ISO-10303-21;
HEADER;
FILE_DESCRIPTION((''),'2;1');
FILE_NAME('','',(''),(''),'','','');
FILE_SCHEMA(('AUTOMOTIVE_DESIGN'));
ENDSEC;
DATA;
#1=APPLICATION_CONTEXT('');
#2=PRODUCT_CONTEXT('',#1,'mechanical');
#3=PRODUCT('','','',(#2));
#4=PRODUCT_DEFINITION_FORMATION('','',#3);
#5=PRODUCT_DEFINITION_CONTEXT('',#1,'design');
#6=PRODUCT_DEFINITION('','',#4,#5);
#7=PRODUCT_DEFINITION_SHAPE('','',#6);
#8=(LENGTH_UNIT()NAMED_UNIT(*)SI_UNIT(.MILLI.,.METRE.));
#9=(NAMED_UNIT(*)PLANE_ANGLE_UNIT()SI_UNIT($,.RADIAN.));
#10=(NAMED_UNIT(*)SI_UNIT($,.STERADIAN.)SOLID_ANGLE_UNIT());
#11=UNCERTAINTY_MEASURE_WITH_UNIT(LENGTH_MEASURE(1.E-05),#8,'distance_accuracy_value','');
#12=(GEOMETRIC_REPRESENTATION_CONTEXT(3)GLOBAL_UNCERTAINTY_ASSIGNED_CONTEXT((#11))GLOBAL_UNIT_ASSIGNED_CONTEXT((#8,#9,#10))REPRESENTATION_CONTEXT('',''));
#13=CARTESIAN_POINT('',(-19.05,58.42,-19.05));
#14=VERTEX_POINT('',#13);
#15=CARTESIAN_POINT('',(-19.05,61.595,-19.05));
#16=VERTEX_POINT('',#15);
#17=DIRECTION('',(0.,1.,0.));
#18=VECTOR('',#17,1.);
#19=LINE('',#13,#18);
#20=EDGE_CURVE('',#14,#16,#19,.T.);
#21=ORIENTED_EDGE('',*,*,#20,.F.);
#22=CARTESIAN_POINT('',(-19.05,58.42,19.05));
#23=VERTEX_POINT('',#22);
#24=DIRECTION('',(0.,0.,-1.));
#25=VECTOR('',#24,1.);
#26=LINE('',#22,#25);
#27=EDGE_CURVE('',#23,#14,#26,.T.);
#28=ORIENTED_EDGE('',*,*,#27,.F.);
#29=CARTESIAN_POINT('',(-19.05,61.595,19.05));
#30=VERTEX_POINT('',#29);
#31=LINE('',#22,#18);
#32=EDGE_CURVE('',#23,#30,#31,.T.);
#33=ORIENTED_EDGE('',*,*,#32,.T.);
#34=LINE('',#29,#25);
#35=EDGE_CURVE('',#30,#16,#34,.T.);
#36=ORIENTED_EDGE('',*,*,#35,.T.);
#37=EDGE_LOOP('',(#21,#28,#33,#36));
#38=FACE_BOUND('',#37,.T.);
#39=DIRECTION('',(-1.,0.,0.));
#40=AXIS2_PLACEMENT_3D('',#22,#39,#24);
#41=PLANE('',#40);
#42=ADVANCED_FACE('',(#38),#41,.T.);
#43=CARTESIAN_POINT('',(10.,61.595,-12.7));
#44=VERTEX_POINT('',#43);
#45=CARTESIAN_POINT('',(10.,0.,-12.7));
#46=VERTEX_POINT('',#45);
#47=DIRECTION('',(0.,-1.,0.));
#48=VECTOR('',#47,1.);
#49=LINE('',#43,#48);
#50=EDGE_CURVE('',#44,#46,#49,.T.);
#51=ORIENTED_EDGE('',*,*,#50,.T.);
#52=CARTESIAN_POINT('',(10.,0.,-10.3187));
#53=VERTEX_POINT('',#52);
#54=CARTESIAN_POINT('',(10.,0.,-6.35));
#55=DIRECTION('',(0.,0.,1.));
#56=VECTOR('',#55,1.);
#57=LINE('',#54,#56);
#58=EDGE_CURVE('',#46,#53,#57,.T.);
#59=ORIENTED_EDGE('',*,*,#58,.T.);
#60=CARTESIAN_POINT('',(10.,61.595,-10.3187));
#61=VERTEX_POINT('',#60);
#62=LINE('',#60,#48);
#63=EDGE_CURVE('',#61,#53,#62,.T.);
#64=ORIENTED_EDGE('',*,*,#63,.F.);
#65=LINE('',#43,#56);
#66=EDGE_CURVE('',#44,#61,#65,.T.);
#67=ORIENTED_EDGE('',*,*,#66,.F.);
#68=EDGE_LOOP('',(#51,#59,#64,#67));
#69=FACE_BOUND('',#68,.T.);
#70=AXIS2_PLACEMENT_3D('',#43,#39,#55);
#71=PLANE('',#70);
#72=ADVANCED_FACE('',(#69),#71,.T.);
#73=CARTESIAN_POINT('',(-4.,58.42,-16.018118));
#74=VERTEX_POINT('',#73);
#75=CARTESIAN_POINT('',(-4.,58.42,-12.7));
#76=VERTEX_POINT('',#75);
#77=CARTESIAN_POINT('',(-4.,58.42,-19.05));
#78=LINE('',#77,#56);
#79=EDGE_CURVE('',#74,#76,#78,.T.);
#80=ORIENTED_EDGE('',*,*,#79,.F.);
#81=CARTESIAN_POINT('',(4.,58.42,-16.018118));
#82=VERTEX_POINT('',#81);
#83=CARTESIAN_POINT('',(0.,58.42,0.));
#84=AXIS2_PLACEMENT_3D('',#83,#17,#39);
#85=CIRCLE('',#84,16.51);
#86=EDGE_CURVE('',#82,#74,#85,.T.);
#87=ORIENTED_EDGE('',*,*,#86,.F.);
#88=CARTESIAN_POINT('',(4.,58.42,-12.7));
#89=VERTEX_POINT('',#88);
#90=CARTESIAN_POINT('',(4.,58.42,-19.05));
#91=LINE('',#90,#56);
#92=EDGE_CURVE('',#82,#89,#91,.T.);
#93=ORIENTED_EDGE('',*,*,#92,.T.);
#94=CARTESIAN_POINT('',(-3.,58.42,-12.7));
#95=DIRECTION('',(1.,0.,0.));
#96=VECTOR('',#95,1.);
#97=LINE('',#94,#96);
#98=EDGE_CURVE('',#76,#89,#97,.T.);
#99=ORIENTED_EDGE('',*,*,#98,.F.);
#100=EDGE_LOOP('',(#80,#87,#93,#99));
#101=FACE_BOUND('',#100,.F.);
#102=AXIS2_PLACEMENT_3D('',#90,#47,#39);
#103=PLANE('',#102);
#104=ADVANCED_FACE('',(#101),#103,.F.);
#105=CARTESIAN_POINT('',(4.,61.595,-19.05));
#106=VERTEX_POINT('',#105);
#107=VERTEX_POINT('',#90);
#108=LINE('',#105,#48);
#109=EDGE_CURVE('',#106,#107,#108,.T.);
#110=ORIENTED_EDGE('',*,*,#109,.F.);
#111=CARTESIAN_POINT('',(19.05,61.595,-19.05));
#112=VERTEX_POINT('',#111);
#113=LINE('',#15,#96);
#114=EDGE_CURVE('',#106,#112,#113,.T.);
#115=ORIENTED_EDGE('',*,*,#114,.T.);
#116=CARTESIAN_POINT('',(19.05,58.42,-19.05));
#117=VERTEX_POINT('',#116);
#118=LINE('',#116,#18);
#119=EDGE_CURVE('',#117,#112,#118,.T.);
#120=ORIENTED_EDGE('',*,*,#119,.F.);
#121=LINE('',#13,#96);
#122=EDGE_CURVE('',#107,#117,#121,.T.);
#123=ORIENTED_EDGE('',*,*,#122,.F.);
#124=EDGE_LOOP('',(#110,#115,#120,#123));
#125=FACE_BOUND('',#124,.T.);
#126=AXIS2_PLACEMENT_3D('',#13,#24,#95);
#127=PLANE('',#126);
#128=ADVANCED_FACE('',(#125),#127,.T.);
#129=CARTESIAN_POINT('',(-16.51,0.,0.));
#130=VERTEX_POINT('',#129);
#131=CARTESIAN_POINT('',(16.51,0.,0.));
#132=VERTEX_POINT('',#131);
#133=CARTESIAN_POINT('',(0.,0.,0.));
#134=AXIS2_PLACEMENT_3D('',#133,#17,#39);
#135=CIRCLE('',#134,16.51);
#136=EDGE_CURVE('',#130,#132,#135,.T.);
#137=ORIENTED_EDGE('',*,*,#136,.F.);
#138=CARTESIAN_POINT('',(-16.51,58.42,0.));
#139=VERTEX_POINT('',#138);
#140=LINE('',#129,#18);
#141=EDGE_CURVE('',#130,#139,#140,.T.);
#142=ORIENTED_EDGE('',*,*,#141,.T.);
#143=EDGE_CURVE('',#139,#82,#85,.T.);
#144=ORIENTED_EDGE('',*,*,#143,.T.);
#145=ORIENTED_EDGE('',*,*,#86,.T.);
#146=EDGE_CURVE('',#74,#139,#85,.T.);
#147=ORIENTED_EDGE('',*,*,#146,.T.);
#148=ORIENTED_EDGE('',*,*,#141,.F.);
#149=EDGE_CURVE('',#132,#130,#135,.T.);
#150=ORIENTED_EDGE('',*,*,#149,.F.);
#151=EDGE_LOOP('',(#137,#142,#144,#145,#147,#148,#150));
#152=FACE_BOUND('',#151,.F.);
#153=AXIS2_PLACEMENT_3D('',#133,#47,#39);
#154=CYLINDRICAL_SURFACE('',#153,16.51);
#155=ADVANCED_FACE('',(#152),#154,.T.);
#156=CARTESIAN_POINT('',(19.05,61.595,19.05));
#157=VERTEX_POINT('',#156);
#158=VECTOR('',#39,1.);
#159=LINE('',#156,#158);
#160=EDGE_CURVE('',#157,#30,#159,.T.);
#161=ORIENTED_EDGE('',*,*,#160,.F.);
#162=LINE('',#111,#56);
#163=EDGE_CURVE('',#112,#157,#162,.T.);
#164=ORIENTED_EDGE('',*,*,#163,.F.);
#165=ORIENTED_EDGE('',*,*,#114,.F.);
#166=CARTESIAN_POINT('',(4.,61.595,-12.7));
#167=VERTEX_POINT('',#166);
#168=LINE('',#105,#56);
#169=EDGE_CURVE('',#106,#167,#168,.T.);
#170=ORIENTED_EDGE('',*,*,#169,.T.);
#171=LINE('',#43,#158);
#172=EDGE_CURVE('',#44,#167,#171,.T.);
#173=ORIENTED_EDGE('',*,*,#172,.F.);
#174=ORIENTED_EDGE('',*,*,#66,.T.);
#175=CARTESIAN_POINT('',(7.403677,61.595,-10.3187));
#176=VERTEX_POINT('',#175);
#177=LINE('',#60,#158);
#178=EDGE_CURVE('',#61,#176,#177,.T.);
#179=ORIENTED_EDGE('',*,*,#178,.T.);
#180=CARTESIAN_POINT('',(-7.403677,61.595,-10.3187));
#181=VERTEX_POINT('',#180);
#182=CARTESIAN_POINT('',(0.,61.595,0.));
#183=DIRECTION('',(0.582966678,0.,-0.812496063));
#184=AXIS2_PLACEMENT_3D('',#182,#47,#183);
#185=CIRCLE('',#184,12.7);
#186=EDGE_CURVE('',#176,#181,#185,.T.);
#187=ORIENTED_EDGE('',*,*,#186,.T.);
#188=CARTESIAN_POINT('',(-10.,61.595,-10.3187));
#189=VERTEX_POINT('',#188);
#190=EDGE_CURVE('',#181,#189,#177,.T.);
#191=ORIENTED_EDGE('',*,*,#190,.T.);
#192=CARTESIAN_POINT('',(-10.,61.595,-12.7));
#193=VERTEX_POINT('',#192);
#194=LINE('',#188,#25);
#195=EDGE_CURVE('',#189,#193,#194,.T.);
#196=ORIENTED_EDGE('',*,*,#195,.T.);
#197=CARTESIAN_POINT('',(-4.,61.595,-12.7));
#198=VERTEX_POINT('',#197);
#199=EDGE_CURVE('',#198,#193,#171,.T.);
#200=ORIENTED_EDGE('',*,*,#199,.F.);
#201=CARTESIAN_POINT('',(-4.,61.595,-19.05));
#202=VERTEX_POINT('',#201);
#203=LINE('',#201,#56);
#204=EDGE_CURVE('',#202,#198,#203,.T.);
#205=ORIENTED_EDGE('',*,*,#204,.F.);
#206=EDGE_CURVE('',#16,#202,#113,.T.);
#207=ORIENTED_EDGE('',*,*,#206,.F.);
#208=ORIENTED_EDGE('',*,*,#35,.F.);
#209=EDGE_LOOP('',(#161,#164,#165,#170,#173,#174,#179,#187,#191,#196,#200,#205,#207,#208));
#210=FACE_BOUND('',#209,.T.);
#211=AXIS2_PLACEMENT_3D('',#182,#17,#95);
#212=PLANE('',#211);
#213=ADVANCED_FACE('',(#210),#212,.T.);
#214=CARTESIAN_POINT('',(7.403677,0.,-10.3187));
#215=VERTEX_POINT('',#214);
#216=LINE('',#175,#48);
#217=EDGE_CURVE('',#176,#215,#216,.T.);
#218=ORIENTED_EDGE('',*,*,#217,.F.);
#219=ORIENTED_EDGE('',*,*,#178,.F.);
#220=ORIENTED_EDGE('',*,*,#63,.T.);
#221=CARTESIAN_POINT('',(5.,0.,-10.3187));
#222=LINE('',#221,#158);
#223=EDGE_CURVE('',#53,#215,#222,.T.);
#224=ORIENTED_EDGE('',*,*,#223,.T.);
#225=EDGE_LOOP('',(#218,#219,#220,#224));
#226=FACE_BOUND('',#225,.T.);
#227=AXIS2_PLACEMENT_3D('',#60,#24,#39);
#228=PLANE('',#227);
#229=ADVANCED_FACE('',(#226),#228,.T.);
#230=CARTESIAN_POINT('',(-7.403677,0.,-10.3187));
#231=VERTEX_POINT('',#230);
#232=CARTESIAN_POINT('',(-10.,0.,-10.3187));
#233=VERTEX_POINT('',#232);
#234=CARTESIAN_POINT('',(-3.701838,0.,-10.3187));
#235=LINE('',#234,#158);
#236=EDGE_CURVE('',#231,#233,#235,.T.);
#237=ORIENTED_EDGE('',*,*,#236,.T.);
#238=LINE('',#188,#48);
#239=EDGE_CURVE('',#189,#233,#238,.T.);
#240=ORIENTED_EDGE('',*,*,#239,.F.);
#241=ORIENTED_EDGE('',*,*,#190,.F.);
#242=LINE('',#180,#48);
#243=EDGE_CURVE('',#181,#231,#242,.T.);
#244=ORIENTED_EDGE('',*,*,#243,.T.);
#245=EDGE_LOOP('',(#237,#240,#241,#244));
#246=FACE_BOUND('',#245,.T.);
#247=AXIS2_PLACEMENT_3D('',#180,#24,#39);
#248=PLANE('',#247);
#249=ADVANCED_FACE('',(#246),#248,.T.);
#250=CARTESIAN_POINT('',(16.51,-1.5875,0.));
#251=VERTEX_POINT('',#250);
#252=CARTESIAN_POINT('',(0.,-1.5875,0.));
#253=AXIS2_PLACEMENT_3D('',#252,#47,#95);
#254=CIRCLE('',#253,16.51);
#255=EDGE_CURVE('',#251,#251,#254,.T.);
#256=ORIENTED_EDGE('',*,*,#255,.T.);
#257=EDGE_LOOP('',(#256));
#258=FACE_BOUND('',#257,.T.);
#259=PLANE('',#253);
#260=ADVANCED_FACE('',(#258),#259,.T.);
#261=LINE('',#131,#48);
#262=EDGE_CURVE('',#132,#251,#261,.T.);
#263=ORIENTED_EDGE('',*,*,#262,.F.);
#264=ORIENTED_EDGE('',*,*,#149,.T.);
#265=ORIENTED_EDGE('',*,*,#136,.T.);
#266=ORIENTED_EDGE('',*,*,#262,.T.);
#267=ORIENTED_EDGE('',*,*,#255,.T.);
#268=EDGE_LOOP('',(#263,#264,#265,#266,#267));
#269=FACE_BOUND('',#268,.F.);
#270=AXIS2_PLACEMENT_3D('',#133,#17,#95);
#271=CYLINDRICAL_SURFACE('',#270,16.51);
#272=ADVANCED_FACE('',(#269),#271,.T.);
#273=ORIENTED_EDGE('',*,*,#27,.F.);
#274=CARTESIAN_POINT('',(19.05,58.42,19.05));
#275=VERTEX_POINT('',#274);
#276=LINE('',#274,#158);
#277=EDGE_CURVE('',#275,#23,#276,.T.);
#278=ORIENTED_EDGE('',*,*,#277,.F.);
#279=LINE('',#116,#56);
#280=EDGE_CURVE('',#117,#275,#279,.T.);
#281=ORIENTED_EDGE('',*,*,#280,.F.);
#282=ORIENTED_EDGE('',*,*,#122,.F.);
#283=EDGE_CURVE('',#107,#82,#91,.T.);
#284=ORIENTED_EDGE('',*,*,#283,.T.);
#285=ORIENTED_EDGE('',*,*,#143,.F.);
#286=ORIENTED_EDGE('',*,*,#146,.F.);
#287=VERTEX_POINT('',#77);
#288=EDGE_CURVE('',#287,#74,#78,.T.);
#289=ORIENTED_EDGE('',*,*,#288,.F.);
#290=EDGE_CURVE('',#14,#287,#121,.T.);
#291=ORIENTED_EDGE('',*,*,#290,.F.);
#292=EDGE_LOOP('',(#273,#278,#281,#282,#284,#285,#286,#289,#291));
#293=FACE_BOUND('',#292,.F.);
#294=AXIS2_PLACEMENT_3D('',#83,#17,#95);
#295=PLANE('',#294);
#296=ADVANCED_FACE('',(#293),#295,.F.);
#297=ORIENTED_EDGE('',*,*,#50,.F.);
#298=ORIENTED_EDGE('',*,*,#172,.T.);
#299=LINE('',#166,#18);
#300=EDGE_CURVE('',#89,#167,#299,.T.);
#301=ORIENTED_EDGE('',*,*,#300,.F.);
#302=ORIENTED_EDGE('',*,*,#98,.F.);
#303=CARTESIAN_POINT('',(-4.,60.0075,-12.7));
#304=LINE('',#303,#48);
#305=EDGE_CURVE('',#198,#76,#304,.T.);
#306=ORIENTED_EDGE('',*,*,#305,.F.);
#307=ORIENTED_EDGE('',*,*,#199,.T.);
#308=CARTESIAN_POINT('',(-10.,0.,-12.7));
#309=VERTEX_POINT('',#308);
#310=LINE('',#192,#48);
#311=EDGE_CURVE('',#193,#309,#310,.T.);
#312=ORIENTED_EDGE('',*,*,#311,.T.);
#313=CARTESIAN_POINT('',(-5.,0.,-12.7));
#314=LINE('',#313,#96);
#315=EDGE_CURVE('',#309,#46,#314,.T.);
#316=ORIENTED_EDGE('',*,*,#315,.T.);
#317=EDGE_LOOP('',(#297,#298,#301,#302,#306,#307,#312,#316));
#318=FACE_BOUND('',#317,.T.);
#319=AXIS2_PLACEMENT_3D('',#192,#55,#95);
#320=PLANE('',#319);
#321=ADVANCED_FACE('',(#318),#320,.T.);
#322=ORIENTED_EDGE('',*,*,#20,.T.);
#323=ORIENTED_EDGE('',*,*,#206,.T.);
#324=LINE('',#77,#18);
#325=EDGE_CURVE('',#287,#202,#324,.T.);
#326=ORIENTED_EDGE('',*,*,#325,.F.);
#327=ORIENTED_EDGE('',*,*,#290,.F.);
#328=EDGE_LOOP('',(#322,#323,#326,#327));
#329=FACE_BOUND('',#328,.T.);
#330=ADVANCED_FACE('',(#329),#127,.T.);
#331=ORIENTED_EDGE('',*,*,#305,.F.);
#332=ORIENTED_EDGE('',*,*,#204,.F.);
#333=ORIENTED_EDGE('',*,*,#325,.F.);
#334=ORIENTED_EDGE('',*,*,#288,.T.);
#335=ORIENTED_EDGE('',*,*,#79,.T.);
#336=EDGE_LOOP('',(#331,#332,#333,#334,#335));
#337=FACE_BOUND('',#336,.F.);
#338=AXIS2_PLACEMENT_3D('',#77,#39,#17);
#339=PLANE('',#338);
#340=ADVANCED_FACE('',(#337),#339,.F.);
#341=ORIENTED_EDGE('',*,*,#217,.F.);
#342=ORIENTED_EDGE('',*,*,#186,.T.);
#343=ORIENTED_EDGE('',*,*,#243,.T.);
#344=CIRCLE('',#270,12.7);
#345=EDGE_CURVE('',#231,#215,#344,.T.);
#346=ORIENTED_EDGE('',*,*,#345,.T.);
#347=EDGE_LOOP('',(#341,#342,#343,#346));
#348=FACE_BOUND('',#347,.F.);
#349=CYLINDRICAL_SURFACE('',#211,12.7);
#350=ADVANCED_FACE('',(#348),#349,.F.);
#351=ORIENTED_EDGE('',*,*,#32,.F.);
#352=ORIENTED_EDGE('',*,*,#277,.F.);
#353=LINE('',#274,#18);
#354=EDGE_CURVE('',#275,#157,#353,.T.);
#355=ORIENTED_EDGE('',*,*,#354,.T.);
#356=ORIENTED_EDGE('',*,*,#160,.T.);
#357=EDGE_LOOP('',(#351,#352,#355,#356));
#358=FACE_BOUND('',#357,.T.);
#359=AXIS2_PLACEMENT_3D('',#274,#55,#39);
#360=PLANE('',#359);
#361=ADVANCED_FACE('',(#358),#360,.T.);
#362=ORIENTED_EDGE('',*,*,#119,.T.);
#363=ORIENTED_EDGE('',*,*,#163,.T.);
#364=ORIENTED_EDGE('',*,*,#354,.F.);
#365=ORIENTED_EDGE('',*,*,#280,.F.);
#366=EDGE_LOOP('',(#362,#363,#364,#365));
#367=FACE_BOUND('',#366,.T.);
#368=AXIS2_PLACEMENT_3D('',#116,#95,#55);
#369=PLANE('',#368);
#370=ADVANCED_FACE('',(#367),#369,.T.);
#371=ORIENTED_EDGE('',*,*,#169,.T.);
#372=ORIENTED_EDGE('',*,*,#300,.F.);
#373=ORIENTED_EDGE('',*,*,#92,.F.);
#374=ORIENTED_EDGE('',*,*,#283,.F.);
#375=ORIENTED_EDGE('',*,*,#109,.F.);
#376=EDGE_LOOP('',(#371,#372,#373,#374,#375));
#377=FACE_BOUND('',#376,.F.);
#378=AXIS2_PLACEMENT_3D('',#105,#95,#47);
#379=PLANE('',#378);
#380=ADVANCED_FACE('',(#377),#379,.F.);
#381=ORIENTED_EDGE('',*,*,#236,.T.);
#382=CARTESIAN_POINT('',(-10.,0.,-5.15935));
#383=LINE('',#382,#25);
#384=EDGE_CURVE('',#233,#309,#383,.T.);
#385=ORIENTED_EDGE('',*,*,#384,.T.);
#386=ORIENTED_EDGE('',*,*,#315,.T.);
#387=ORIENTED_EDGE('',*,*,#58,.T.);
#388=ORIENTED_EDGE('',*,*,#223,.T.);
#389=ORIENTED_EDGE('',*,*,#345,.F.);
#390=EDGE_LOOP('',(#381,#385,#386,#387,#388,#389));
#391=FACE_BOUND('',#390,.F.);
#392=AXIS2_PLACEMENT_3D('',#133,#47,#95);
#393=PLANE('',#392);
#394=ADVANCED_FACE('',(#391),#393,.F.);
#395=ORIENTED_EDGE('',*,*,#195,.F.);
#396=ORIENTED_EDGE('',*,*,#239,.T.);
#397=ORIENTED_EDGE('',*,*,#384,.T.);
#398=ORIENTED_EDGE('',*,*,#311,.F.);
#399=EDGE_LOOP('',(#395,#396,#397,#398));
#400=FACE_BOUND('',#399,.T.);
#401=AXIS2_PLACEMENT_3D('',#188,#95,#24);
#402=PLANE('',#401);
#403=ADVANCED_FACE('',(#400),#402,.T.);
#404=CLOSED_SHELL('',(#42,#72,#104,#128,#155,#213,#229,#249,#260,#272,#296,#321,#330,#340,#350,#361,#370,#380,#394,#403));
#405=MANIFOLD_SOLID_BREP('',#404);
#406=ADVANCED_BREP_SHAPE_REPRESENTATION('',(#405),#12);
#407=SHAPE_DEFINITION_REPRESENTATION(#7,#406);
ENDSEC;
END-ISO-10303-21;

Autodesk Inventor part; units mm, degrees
ref_plane "YZ Plane" through (0, 0, 0) normal (1, 0, 0) x (0, 1, 0)
ref_plane "XZ Plane" through (0, 0, 0) normal (0, 1, 0) x (-1, 0, 0)
ref_plane "XY Plane" through (0, 0, 0) normal (0, 0, 1) x (1, 0, 0)
sketch "Sketch1" plane through (0, 0, 0) normal (0, 1, 0) x (-1, 0, 0)
  circle A0 centre (0, 0) radius 16.51
  dimension "d0" = 33.02
extrude "Extrusion1" add sketch "Sketch1" along normal blind 58.42
sketch "Sketch3" plane through (0, 58.42, 0) normal (0, 1, 0) x (1, 0, 0)
  line L0 (-19.05, 19.05) -> (19.05, 19.05)
  line L1 (19.05, 19.05) -> (19.05, -19.05)
  line L2 (19.05, -19.05) -> (-19.05, -19.05)
  line L3 (-19.05, -19.05) -> (-19.05, 19.05)
  point P0 (0, 0)
  point P1 (19.05, 0)
  point P2 (0, 19.05)
  dimension "d8" = 38.1
  dimension "d9" = 38.1
extrude "Extrusion3" add sketch "Sketch3" along normal blind 3.175
sketch "Sketch4" plane through (0, 61.595, 0) normal (0, 1, 0) x (1, 0, 0)
  circle A0 centre (0, 0) radius 12.7
  line L0 (-10, 12.7) -> (10, 12.7)
  line L1 (10, 12.7) -> (10, 10.3187)
  line L2 (10, 10.3187) -> (-10, 10.3187)
  line L3 (-10, 10.3187) -> (-10, 12.7)
  point P0 (-12.7, 0)
  point P1 (12.7, 0)
  point P2 (0, 12.7)
  point P3 (-7.4036, 10.3187)
  point P4 (7.4036, 10.3187)
  dimension "d12" = 25.4
  dimension "d13" = 20
  dimension "d14" = 2.3813
extrude "Extrusion4" cut sketch "Sketch4" against normal blind 61.9125
sketch "Sketch5" plane through (19.05, 58.42, -19.05) normal (0, 0, -1) x (-1, 0, 0)
  line L0 (15.05, 0) -> (23.05, 0)
  line L1 (23.05, 0) -> (23.05, 3.175)
  line L2 (23.05, 3.175) -> (15.05, 3.175)
  line L3 (15.05, 3.175) -> (15.05, 0)
  line L4 (0, 0) -> (0, 3.175) projected
  line L5 (0, 3.175) -> (38.1, 3.175) projected
  point P0 (19.05, -58.42)
  point P1 (19.05, 1.5875)
  point P2 (23.05, 1.5875)
  point P3 (19.05, 3.175)
  dimension "d17" = 8
  dimension "d18" = 3.175
  dimension "d20" = 19.05
  dimension "d21" = 0
extrude "Extrusion5" cut sketch "Sketch5" against normal blind 12.7
sketch "Sketch6" plane through (0, 0, 0) normal (0, -1, 0) x (1, 0, 0)
  arc A0 (7.4036, -10.3187) -> (-7.4036, -10.3187) centre (0, 0) ccw projected
  circle A1 centre (0, 0) radius 16.51
extrude "Extrusion6" add sketch "Sketch6" along normal blind 1.5875
properties part number "WaterBucket2"
